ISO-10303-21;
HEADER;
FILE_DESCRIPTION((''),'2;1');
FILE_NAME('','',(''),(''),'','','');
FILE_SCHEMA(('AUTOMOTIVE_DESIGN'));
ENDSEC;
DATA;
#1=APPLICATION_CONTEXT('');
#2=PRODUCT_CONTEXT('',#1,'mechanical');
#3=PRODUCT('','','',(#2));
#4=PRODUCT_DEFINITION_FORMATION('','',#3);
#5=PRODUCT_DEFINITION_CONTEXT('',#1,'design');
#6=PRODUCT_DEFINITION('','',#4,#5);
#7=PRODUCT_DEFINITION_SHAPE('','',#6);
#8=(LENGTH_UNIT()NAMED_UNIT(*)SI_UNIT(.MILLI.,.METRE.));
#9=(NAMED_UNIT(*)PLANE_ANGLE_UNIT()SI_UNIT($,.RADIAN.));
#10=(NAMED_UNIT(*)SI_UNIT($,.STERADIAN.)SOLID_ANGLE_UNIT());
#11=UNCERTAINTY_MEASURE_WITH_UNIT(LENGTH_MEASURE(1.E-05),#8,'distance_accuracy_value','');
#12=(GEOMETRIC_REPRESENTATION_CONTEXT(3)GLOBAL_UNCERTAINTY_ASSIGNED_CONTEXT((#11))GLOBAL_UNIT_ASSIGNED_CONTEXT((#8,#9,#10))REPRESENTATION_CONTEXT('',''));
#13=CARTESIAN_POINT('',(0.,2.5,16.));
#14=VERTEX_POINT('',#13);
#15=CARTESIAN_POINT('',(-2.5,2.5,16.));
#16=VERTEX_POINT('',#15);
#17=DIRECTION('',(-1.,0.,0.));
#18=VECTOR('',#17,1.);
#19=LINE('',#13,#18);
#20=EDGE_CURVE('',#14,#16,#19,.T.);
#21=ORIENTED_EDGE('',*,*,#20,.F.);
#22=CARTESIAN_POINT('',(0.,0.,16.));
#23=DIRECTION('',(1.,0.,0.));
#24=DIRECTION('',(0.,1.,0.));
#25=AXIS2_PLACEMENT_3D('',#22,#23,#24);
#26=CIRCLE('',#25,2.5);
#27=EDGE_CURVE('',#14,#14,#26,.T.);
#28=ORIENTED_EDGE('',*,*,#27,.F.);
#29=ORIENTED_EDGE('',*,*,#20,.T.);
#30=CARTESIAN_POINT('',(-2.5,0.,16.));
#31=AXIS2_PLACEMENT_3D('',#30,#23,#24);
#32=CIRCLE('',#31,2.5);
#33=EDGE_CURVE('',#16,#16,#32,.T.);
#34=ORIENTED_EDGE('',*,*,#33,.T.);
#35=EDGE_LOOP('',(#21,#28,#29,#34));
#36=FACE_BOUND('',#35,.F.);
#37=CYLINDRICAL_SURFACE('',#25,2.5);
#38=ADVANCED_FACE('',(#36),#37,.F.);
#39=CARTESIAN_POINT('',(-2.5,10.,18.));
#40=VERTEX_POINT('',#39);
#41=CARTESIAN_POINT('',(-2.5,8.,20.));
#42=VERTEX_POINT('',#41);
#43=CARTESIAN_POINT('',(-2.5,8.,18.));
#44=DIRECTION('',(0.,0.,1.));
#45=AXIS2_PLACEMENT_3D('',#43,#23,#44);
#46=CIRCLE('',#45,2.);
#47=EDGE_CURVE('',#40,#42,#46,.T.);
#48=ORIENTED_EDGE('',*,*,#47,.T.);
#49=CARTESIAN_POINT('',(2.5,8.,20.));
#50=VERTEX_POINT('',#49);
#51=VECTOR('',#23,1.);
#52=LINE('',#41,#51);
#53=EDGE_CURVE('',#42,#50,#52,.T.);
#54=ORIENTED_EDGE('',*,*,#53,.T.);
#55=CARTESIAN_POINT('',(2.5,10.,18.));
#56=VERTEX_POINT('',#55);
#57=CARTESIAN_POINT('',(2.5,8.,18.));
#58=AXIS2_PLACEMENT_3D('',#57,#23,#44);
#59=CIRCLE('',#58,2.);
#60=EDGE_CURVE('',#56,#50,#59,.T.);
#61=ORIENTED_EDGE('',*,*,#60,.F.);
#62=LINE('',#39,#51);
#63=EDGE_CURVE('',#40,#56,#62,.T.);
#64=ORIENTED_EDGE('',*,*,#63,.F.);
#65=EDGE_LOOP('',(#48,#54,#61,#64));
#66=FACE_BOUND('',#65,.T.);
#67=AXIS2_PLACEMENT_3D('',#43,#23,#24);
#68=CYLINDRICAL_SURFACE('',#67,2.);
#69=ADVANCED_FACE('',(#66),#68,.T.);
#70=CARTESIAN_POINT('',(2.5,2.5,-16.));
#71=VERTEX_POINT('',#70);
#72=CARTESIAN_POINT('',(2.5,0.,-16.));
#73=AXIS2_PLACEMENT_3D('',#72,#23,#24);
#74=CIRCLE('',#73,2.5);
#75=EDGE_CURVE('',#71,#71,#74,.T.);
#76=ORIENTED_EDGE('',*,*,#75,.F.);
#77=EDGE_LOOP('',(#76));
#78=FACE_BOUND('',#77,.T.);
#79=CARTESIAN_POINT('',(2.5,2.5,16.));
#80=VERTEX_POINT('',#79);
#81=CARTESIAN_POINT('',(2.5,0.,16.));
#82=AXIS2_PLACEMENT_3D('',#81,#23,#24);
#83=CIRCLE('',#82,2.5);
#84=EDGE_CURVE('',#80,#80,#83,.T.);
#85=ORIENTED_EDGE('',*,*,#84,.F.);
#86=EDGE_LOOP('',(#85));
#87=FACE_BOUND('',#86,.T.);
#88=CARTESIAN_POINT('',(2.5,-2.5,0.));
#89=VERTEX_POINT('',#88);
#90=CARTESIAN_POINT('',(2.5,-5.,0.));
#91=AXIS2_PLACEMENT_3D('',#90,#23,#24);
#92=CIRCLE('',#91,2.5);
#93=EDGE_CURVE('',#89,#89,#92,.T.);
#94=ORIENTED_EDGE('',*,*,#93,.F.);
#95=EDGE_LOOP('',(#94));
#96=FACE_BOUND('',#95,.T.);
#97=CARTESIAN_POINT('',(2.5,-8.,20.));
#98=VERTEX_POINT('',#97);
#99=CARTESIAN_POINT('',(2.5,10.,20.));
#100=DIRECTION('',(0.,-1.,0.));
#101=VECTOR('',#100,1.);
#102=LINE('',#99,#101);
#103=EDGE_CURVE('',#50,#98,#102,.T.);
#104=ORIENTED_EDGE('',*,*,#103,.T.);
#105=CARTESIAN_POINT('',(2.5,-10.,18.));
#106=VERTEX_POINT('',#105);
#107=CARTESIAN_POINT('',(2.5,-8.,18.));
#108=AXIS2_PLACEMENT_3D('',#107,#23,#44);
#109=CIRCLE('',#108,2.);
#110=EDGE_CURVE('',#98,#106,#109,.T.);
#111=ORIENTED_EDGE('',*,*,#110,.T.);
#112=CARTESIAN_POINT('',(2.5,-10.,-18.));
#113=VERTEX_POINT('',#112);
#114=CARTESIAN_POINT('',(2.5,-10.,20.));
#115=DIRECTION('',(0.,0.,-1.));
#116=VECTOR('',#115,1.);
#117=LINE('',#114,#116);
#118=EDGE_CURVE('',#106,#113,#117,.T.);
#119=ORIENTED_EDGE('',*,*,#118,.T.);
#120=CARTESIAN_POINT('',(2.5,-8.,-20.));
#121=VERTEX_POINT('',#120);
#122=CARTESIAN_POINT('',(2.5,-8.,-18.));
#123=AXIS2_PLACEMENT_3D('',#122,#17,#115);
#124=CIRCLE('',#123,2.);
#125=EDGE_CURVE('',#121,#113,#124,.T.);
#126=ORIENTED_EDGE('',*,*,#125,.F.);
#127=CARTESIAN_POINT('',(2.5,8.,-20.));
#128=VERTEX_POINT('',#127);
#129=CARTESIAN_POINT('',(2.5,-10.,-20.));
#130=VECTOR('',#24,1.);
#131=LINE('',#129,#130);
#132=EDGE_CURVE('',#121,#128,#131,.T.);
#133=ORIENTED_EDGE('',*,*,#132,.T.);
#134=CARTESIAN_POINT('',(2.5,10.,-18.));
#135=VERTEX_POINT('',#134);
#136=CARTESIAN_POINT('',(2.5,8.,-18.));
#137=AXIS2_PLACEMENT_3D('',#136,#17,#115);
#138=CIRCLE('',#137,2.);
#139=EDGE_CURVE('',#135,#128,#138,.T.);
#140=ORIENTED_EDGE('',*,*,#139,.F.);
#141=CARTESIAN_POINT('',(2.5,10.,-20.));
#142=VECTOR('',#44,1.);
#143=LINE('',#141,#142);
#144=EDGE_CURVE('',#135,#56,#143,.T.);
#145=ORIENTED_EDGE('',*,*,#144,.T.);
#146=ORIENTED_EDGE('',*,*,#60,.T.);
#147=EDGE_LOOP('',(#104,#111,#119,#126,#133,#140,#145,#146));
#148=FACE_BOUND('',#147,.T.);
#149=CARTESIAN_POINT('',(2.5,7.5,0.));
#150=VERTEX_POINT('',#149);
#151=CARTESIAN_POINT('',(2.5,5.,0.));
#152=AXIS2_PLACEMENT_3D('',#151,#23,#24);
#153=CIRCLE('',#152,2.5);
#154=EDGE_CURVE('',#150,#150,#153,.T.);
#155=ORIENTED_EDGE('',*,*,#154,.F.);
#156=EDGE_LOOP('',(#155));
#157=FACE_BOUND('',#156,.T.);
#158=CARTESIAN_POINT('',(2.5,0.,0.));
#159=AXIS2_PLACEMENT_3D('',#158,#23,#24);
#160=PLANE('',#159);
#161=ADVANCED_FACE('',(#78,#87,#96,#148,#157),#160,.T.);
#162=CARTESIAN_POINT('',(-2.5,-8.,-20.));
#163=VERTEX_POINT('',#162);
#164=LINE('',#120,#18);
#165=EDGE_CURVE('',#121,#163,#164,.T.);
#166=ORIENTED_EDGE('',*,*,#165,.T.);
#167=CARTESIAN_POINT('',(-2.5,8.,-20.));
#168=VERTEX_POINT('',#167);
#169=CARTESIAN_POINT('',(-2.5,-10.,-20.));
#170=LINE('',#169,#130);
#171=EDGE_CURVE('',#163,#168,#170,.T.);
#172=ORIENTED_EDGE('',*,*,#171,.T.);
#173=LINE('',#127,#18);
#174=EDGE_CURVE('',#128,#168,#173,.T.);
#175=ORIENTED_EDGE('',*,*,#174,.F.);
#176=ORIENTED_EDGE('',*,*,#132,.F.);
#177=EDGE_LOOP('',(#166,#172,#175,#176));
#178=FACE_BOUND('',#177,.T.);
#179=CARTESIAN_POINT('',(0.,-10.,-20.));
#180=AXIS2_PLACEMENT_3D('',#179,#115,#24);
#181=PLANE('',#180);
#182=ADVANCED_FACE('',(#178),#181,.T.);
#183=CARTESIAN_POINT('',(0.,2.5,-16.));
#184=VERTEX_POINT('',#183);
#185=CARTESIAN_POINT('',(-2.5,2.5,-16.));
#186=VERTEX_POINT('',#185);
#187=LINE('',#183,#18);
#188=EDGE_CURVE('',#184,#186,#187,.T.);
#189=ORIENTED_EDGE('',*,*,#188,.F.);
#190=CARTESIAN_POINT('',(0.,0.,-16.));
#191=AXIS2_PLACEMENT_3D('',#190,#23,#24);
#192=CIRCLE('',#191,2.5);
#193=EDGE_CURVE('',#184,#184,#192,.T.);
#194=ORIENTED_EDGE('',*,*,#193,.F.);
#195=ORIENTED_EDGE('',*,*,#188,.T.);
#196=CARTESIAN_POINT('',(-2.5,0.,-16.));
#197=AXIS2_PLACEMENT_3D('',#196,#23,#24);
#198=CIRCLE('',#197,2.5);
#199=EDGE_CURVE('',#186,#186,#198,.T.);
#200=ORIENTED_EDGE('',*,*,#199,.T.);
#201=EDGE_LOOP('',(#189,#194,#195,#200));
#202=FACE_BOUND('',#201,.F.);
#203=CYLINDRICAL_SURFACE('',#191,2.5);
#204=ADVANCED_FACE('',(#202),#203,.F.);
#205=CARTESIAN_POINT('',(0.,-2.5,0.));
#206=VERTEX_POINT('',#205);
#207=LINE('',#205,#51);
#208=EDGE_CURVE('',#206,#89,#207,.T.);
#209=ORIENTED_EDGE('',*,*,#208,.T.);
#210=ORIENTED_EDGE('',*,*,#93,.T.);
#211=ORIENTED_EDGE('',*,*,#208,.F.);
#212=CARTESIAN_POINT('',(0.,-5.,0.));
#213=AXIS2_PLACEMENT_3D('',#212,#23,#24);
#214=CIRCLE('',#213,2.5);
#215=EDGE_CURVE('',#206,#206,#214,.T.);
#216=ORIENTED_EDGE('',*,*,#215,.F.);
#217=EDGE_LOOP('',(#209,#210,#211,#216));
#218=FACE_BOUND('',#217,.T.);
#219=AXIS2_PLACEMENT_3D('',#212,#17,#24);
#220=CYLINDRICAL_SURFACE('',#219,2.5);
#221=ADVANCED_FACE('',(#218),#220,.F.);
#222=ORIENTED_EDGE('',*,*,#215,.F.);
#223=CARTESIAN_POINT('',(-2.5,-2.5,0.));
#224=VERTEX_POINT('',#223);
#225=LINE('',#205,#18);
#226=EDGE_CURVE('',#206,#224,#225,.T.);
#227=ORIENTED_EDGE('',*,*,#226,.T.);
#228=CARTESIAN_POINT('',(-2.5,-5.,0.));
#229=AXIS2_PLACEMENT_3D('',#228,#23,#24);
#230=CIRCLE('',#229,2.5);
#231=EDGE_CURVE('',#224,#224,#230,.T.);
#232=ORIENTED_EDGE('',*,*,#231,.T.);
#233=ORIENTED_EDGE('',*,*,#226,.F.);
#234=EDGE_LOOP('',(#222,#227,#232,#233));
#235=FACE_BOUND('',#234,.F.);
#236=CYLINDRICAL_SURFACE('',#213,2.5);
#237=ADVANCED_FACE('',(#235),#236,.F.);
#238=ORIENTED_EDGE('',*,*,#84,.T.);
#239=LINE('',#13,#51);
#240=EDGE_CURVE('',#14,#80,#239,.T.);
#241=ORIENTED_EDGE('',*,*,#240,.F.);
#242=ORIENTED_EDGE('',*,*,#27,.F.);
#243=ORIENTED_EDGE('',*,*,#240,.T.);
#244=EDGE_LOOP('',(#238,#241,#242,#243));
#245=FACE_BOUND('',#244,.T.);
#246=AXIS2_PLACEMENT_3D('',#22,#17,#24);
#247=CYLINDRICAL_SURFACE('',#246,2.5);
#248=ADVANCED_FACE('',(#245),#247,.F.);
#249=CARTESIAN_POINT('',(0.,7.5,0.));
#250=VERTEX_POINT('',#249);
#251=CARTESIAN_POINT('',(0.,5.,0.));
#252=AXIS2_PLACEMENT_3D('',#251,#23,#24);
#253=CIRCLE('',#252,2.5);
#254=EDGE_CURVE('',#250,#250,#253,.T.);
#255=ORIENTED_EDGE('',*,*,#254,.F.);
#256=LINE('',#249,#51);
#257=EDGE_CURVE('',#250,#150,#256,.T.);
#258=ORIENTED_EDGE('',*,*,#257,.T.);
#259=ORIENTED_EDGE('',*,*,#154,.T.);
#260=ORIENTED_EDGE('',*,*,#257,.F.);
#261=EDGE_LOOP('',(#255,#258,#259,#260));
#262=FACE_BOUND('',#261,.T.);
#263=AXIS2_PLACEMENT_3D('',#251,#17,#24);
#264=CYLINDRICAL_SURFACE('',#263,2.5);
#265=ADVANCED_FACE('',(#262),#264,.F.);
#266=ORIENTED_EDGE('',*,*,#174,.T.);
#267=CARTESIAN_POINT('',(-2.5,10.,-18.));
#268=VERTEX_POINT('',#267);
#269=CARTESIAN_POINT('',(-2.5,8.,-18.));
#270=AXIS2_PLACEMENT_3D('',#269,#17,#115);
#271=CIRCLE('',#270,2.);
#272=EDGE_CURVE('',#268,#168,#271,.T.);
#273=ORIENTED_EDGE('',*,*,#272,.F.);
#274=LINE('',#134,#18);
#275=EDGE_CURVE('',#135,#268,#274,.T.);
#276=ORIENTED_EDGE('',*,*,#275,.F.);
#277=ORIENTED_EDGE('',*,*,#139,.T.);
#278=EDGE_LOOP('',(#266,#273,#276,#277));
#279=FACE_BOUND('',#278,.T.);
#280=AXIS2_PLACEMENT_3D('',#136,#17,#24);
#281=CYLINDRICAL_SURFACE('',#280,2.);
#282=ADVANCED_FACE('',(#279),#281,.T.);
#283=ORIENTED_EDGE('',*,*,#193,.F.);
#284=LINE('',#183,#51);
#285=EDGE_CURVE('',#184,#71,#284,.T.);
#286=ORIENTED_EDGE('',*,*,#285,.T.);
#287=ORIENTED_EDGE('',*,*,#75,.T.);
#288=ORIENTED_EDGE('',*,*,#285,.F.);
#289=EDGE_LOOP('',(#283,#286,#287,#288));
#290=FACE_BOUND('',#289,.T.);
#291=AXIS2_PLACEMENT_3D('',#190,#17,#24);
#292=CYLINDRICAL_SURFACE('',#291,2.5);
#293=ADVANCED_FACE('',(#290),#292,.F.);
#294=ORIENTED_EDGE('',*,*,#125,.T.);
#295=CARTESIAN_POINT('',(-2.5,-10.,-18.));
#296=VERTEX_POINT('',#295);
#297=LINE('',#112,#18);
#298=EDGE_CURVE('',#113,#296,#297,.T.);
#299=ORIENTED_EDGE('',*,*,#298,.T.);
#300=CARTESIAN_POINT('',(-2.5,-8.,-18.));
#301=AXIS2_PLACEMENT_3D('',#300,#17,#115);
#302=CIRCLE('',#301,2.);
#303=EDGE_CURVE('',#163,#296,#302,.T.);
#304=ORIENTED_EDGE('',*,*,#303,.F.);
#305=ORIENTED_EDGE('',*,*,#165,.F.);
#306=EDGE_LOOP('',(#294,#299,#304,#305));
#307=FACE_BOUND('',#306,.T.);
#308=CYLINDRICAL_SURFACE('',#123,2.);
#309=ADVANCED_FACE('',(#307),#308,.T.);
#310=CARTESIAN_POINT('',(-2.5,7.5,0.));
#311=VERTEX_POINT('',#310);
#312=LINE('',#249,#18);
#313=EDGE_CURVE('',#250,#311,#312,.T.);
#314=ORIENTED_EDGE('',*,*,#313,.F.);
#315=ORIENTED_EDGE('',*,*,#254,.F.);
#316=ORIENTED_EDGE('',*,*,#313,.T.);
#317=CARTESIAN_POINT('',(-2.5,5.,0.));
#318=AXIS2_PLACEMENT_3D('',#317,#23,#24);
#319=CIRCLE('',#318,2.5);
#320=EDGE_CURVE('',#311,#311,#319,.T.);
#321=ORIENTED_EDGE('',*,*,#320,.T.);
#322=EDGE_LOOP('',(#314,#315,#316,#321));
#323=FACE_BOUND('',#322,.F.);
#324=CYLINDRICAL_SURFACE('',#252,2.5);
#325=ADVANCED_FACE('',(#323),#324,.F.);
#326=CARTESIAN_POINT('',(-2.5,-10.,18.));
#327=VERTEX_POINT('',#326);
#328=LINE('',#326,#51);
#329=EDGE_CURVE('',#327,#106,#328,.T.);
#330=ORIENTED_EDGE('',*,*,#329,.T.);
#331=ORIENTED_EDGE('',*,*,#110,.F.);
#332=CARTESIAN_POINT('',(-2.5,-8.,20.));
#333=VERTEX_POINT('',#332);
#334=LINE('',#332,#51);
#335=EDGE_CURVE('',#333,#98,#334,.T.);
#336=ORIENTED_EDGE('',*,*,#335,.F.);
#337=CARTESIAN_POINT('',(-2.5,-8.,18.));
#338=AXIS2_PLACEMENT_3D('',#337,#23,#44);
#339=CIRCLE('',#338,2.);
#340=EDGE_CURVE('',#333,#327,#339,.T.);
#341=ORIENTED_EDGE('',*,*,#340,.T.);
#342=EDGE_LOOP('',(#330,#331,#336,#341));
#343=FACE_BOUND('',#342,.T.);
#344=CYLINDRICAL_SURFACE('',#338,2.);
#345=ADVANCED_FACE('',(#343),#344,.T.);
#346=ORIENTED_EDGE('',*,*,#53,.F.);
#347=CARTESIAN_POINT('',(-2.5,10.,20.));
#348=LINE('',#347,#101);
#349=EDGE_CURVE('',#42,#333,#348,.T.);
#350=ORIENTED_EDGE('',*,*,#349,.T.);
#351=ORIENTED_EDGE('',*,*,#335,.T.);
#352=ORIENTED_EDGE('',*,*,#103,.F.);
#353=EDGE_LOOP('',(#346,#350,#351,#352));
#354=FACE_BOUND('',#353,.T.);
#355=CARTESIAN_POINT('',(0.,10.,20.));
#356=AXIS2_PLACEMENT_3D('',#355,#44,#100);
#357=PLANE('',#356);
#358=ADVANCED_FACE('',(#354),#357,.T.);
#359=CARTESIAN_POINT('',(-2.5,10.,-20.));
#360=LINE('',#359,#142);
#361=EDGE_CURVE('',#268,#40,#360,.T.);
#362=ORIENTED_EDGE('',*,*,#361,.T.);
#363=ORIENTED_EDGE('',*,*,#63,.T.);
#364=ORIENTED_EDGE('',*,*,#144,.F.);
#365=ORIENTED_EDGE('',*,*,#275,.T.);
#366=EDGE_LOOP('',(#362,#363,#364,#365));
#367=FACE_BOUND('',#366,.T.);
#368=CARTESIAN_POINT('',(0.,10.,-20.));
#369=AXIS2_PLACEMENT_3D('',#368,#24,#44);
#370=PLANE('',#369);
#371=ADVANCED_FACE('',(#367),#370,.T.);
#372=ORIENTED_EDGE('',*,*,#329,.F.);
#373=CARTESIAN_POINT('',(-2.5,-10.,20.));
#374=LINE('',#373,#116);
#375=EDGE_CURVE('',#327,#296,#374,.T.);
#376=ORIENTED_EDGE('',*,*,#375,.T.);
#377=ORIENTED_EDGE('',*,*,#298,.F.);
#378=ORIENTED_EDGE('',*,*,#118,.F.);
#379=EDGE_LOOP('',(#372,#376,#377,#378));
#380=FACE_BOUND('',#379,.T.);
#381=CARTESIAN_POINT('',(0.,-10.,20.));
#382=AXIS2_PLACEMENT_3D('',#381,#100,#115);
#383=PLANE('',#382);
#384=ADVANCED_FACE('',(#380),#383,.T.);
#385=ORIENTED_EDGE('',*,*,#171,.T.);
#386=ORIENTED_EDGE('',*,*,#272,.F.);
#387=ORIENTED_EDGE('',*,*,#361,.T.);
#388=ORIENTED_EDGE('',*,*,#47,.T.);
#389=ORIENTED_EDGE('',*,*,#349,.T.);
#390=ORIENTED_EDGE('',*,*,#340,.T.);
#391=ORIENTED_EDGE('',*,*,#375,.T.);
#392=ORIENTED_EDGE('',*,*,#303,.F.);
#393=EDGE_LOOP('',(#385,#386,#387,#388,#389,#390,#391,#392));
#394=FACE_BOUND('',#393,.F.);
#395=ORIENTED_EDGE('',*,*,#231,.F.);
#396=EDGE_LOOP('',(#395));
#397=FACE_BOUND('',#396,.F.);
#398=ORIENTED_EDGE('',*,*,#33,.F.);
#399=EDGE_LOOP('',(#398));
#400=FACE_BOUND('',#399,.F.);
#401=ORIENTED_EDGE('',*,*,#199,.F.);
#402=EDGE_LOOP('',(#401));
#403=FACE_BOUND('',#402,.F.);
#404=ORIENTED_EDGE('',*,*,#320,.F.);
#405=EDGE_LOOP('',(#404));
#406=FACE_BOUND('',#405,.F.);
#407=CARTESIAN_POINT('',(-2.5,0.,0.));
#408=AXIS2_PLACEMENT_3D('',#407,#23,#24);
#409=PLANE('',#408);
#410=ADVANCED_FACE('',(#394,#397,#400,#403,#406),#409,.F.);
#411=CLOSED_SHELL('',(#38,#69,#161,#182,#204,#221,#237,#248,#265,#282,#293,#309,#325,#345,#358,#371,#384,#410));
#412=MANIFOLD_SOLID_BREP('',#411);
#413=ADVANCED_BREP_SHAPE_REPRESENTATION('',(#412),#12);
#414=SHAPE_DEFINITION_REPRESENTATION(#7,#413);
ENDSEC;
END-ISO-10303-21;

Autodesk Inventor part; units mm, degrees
ref_plane "YZ Plane" through (0, 0, 0) normal (1, 0, 0) x (0, 1, 0)
ref_plane "XZ Plane" through (0, 0, 0) normal (0, 1, 0) x (-1, 0, 0)
ref_plane "XY Plane" through (0, 0, 0) normal (0, 0, 1) x (1, 0, 0)
sketch "Schizzo1" plane through (0, 0, 0) normal (1, 0, 0) x (0, 1, 0)
  line L0 (10, 20) -> (-10, 20)
  line L1 (-10, 20) -> (-10, -20)
  line L2 (-10, -20) -> (10, -20)
  line L3 (10, -20) -> (10, 20)
  line L4 (0, 0) -> (10, 0) construction
  line L5 (0, 0) -> (0, -19.4896) construction
  circle A0 centre (0, 16) radius 2.5
  circle A1 centre (0, -16) radius 2.5
  circle A2 centre (5, 0) radius 2.5
  circle A3 centre (-5, 0) radius 2.5
  dimension "d0" = 40
  dimension "d1" = 20
  dimension "d2" = 4
  dimension "d3" = 5
  dimension "d8" = 5
  dimension "d9" = 5
  dimension "d10" = 5
  dimension "d11" = 10
extrude "Estrusione1" add sketch "Schizzo1" along normal mid plane 5 contours L3 L2 L1 L0 | A2 | A3
fillet "Raccordo1" radius 2 4 edges at (0, 10, 20) (0, -10, 20) (0, 10, -20) (0, -10, -20)
extrude "Estrusione2" cut sketch "Schizzo1" along normal mid plane 5 contours A2 | A3
properties part number "perno"
